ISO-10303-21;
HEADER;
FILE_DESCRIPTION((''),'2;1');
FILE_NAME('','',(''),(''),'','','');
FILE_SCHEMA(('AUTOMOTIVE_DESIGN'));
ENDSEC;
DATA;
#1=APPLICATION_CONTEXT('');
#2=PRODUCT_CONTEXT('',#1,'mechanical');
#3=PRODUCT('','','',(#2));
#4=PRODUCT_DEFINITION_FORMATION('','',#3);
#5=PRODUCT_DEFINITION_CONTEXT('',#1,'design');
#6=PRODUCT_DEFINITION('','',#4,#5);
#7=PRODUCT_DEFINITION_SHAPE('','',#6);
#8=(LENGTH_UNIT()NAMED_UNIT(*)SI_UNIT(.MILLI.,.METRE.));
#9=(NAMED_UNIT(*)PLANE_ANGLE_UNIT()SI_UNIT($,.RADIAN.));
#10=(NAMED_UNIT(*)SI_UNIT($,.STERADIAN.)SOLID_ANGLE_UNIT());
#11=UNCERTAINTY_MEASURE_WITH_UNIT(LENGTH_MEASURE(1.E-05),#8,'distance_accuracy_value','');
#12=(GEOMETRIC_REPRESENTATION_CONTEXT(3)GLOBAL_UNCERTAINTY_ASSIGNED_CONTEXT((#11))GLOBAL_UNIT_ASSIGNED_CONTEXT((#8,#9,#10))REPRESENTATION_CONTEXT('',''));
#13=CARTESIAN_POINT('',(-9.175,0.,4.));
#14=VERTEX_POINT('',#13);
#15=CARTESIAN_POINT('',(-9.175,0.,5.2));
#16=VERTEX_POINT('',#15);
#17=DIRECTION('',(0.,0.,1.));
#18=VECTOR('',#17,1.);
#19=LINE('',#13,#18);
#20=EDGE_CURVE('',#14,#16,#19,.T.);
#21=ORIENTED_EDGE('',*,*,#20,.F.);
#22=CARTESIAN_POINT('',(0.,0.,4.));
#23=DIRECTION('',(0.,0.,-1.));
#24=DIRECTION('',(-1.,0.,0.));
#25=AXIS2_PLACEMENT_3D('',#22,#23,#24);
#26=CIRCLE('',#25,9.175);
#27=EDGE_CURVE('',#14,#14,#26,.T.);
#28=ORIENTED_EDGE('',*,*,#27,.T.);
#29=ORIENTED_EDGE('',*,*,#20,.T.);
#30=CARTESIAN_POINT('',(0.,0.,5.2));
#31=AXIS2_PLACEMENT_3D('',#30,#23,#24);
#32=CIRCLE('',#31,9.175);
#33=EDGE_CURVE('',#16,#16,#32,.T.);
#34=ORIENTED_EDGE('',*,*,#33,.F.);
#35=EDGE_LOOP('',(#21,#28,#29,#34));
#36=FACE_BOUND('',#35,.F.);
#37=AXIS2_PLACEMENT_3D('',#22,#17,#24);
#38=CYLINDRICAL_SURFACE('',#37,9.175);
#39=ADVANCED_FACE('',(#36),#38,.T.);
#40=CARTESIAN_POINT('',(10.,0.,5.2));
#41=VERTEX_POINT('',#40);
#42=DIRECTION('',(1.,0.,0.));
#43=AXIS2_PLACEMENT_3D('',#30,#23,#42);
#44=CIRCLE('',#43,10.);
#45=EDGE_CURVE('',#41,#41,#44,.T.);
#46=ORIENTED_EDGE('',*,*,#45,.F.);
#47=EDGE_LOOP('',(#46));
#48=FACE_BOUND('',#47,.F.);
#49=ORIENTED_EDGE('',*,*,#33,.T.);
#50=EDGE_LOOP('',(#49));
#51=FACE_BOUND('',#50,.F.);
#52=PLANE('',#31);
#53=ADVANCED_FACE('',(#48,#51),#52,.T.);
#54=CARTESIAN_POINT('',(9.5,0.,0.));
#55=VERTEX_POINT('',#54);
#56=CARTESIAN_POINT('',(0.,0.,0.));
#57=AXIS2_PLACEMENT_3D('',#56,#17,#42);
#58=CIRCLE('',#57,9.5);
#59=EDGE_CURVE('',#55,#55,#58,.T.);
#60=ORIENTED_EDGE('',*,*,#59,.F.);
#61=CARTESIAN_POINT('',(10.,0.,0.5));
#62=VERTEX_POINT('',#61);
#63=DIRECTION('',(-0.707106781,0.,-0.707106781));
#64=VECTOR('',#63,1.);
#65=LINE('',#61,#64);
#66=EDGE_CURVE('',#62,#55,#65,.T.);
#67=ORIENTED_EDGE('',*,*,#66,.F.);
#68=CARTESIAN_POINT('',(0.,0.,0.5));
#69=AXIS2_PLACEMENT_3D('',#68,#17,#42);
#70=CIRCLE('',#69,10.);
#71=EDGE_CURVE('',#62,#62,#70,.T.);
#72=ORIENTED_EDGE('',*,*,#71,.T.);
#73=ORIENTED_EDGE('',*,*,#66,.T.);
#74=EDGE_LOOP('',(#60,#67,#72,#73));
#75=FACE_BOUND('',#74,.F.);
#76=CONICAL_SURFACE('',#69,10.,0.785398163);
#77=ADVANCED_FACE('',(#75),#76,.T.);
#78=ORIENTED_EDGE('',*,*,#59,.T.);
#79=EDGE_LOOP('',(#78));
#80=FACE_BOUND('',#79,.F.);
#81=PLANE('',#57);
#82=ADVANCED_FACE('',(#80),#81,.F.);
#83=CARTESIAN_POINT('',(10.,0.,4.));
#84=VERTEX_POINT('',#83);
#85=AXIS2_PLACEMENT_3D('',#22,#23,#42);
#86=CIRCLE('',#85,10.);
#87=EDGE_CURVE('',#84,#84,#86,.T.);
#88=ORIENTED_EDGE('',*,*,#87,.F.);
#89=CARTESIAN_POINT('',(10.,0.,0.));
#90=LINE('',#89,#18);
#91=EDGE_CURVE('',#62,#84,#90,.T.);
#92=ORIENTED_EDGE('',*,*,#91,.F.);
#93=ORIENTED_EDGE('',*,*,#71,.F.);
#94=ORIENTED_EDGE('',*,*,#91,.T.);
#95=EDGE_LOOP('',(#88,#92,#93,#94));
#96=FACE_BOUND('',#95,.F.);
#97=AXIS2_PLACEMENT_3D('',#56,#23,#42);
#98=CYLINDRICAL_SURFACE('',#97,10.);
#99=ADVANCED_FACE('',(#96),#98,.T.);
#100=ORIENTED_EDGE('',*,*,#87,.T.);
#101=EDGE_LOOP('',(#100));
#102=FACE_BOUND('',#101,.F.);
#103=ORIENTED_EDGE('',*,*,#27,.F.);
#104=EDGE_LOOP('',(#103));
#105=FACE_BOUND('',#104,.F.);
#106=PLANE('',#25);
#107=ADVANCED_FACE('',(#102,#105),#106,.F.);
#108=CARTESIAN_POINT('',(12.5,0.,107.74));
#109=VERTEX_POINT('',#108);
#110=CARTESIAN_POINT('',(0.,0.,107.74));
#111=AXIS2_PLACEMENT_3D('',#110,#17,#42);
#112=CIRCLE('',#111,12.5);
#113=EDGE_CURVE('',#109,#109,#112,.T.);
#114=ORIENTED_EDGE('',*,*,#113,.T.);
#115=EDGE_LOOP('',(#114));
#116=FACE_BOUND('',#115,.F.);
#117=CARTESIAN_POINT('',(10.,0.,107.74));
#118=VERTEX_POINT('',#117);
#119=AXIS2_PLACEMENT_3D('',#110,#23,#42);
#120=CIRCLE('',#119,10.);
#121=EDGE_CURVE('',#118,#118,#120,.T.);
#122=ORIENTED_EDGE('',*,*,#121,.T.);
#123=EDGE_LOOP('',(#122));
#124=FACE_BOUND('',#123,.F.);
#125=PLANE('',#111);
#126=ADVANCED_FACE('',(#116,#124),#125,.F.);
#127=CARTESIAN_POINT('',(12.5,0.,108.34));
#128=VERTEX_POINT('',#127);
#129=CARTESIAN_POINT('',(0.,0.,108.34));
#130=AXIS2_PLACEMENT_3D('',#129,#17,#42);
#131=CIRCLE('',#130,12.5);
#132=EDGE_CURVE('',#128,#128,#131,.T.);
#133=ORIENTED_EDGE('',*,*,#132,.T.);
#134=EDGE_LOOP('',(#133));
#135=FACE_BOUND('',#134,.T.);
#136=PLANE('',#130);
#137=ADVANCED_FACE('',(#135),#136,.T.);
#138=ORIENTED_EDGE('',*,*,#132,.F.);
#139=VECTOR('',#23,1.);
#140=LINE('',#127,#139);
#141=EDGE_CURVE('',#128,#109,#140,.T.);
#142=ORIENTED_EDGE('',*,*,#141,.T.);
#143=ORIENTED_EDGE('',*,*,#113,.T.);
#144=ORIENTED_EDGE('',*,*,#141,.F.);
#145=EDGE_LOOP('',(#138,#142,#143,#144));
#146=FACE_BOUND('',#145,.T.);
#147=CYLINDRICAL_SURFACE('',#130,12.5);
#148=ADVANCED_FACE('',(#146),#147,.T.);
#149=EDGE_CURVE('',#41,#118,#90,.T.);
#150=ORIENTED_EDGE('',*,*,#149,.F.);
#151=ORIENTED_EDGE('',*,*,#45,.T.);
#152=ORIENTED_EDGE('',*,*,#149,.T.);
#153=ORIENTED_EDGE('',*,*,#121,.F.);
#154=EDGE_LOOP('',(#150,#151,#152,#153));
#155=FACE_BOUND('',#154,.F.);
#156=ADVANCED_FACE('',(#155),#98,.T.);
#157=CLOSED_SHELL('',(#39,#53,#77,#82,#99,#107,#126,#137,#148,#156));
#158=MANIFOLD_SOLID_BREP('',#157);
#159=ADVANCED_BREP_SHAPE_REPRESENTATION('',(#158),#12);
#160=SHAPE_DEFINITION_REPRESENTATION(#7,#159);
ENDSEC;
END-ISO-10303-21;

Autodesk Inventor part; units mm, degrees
ref_plane "YZ Plane" through (0, 0, 0) normal (1, 0, 0) x (0, 1, 0)
ref_plane "XZ Plane" through (0, 0, 0) normal (0, 1, 0) x (-1, 0, 0)
ref_plane "XY Plane" through (0, 0, 0) normal (0, 0, 1) x (1, 0, 0)
sketch "草图1" plane through (0, 0, 0) normal (0, 0, 1) x (1, 0, 0)
  circle A0 centre (0, 0) radius 10
  dimension "d0" = 20
extrude "拉伸1" add sketch "草图1" along normal blind 108.34
sketch "草图2" plane through (0, 0, 108.34) normal (0, 0, 1) x (1, 0, 0)
  circle A0 centre (0, 0) radius 12.5
  dimension "d3" = 25
extrude "拉伸2" add sketch "草图2" against normal blind 0.6
sketch "草图3" plane through (0, 0, 0) normal (0, 1, 0) x (-1, 0, 0)
  line L0 (15.328, 4) -> (9.175, 4)
  line L1 (9.175, 4) -> (9.175, 5.2)
  line L2 (9.175, 5.2) -> (15.328, 5.2)
  line L3 (15.328, 5.2) -> (15.328, 4)
  line L4 (0, 0) -> (0, -10.7224)
  line L5 (-10, 0) -> (10, 0) projected
  dimension "d6" = 10.7224
  dimension "d7" = 1.2
  dimension "d8" = 4
  dimension "d9" = 9.175
  dimension "d10" = 6.153
revolve "旋转1" cut sketch "草图3" angle 360 about axis through (0, 0, 0) along (0, 0, -1)
chamfer "倒角1" distance 0.5 angle 45 1 edges at (-10, 0, 0)
properties part number "皮带轮轴"
